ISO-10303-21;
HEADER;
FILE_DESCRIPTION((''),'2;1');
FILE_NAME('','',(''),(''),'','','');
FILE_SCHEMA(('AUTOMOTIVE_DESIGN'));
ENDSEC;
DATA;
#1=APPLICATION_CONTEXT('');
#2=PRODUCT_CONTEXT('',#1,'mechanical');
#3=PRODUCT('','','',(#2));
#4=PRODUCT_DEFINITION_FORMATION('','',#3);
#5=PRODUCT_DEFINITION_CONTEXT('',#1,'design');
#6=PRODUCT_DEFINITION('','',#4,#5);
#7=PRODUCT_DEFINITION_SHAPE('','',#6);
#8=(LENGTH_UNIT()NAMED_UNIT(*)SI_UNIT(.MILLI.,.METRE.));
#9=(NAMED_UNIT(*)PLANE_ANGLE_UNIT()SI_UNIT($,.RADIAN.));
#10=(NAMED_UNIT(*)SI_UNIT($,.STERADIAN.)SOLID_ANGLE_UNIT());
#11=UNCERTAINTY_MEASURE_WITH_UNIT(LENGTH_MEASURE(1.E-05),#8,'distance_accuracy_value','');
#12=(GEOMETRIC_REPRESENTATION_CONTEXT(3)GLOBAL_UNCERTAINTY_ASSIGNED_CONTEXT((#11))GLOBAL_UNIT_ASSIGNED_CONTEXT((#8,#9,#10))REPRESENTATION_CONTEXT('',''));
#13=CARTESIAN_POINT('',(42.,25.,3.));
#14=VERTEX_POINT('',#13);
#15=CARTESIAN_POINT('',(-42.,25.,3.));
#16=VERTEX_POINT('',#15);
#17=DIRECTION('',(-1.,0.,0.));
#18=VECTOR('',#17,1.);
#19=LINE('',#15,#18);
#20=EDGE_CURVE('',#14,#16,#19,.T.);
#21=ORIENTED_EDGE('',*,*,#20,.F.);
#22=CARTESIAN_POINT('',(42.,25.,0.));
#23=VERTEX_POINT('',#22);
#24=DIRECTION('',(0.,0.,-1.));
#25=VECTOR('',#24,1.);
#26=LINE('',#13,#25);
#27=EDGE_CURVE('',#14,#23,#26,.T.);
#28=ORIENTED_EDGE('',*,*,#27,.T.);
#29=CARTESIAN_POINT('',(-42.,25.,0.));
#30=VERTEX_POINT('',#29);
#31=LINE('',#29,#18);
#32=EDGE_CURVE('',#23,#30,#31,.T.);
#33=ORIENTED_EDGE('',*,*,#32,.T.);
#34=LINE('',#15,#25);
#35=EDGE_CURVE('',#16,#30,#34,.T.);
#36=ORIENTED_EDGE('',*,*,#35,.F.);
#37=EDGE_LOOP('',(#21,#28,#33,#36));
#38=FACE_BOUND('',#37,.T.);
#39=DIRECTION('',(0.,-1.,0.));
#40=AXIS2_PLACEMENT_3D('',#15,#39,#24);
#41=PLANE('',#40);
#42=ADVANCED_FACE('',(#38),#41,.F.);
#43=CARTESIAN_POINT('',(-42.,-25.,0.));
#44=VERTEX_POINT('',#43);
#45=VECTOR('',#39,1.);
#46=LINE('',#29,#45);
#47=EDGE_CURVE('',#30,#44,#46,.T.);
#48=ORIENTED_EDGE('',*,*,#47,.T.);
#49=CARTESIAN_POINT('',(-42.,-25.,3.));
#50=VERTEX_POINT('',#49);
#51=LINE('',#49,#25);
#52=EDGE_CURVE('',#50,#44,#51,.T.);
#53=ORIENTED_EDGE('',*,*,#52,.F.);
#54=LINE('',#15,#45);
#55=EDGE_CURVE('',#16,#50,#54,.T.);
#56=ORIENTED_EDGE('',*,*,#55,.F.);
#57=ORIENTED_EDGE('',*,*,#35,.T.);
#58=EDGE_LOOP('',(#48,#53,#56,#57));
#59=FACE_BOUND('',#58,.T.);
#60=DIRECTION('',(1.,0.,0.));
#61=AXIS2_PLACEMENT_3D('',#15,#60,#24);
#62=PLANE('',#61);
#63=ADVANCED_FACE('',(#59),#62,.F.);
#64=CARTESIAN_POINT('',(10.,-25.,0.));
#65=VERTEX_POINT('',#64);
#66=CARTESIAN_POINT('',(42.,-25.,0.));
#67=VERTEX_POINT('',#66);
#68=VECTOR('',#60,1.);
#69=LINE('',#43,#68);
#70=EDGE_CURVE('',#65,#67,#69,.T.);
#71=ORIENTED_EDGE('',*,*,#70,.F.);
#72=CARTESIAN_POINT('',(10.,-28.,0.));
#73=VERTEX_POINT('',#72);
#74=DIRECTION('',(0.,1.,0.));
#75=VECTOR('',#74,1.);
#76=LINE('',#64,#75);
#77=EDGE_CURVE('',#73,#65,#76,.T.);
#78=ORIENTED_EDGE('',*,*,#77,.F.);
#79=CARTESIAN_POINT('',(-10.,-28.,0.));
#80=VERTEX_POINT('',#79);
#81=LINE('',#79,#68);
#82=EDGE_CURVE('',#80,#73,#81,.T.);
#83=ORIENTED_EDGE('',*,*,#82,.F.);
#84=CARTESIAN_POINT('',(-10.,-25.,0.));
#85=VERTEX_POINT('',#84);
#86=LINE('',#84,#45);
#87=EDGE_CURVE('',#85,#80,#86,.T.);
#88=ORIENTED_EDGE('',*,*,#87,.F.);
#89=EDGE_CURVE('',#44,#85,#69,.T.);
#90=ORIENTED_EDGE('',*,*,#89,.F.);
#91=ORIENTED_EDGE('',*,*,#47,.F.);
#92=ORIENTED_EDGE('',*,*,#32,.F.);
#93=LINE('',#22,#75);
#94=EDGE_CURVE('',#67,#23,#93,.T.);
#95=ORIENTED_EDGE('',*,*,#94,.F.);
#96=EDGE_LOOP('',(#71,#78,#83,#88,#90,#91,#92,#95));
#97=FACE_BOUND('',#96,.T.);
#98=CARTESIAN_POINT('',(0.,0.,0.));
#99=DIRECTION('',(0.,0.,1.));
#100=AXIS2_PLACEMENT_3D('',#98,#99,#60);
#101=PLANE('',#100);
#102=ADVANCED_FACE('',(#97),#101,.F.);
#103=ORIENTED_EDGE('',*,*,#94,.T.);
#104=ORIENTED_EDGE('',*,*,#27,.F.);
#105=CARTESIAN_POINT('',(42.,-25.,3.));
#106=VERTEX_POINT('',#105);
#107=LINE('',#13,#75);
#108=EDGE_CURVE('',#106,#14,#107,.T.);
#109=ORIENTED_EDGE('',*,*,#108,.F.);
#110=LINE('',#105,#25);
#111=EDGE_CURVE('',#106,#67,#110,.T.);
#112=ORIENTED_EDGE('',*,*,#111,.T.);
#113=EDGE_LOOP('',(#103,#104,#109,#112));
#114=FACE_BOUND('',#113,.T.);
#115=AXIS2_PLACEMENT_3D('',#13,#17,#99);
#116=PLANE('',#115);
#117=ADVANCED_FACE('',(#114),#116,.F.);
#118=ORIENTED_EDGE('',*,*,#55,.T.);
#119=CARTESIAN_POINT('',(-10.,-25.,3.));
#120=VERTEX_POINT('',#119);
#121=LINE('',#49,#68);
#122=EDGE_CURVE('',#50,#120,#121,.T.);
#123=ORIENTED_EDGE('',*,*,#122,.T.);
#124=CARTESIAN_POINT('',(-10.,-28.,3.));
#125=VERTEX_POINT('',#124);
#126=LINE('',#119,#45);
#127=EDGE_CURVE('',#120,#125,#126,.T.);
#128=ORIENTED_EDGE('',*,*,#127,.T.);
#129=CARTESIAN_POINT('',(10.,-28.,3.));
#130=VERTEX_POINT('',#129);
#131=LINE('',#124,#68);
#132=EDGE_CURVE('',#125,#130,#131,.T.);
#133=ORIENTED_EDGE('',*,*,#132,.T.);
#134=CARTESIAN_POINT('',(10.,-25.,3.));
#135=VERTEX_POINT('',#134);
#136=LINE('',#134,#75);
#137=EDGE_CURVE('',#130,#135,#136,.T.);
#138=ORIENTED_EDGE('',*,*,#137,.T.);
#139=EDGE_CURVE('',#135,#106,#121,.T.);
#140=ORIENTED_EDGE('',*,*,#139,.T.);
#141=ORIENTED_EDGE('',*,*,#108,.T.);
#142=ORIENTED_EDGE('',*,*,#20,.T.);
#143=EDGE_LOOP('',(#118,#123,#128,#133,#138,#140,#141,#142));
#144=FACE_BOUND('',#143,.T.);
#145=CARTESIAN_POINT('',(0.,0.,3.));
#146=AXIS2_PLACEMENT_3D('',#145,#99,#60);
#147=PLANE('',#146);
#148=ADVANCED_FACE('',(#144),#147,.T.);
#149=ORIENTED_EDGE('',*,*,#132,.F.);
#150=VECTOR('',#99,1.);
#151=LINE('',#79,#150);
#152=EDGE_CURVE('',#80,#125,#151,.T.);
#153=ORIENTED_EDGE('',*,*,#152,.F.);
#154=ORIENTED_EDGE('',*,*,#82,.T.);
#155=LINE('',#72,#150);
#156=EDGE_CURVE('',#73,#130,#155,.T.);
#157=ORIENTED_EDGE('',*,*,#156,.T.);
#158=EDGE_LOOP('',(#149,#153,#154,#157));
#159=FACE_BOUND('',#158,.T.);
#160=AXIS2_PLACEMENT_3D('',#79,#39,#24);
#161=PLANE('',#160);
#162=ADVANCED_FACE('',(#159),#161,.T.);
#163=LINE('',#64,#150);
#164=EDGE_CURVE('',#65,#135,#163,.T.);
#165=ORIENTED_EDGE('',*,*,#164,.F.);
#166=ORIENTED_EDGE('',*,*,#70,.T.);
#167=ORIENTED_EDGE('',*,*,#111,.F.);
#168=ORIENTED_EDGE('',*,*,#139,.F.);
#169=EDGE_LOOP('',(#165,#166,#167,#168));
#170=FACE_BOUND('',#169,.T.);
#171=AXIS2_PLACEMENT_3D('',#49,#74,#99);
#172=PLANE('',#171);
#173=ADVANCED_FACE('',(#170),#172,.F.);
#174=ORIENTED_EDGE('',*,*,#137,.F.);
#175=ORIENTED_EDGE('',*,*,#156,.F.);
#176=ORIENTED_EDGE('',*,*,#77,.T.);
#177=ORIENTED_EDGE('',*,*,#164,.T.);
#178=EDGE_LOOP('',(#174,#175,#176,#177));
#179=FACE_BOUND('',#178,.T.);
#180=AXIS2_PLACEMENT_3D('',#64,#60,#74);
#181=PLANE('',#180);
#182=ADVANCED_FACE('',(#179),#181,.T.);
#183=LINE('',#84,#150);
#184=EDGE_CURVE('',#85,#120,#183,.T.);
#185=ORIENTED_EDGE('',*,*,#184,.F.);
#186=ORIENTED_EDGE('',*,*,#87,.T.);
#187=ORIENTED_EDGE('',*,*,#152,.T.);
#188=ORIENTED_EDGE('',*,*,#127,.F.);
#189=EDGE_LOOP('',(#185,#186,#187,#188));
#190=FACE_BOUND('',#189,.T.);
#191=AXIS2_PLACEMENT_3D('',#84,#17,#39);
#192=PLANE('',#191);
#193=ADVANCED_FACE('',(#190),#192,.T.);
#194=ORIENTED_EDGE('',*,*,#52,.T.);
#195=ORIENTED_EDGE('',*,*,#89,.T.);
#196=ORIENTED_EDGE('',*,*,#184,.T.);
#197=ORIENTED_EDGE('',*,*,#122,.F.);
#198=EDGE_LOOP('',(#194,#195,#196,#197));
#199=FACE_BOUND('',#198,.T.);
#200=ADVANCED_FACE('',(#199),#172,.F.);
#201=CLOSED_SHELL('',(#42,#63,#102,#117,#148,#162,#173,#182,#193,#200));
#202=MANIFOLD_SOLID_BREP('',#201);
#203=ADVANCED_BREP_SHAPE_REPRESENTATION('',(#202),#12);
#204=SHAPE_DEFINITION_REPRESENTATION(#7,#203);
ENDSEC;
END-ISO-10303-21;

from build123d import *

# Parameters (mm, degrees)
CROQUIS1_W              = 84
CROQUIS1_H              = 50
SALIENTE_EXTRUIR1_DEPTH = 3
CROQUIS2_W              = 20
CROQUIS2_H              = 3
SALIENTE_EXTRUIR2_DEPTH = 3


with BuildPart() as part:
    # Croquis1 → Saliente-Extruir1 (new body)
    with BuildSketch(Plane.XY):
        Rectangle(CROQUIS1_W, CROQUIS1_H)
    extrude(amount=SALIENTE_EXTRUIR1_DEPTH)

    # Croquis2 → Saliente-Extruir2 (add)
    with BuildSketch(Plane.XY.offset(3)):
        with Locations((0, -26.5)):
            Rectangle(CROQUIS2_W, CROQUIS2_H)
    extrude(amount=-SALIENTE_EXTRUIR2_DEPTH)


solid = part.part
